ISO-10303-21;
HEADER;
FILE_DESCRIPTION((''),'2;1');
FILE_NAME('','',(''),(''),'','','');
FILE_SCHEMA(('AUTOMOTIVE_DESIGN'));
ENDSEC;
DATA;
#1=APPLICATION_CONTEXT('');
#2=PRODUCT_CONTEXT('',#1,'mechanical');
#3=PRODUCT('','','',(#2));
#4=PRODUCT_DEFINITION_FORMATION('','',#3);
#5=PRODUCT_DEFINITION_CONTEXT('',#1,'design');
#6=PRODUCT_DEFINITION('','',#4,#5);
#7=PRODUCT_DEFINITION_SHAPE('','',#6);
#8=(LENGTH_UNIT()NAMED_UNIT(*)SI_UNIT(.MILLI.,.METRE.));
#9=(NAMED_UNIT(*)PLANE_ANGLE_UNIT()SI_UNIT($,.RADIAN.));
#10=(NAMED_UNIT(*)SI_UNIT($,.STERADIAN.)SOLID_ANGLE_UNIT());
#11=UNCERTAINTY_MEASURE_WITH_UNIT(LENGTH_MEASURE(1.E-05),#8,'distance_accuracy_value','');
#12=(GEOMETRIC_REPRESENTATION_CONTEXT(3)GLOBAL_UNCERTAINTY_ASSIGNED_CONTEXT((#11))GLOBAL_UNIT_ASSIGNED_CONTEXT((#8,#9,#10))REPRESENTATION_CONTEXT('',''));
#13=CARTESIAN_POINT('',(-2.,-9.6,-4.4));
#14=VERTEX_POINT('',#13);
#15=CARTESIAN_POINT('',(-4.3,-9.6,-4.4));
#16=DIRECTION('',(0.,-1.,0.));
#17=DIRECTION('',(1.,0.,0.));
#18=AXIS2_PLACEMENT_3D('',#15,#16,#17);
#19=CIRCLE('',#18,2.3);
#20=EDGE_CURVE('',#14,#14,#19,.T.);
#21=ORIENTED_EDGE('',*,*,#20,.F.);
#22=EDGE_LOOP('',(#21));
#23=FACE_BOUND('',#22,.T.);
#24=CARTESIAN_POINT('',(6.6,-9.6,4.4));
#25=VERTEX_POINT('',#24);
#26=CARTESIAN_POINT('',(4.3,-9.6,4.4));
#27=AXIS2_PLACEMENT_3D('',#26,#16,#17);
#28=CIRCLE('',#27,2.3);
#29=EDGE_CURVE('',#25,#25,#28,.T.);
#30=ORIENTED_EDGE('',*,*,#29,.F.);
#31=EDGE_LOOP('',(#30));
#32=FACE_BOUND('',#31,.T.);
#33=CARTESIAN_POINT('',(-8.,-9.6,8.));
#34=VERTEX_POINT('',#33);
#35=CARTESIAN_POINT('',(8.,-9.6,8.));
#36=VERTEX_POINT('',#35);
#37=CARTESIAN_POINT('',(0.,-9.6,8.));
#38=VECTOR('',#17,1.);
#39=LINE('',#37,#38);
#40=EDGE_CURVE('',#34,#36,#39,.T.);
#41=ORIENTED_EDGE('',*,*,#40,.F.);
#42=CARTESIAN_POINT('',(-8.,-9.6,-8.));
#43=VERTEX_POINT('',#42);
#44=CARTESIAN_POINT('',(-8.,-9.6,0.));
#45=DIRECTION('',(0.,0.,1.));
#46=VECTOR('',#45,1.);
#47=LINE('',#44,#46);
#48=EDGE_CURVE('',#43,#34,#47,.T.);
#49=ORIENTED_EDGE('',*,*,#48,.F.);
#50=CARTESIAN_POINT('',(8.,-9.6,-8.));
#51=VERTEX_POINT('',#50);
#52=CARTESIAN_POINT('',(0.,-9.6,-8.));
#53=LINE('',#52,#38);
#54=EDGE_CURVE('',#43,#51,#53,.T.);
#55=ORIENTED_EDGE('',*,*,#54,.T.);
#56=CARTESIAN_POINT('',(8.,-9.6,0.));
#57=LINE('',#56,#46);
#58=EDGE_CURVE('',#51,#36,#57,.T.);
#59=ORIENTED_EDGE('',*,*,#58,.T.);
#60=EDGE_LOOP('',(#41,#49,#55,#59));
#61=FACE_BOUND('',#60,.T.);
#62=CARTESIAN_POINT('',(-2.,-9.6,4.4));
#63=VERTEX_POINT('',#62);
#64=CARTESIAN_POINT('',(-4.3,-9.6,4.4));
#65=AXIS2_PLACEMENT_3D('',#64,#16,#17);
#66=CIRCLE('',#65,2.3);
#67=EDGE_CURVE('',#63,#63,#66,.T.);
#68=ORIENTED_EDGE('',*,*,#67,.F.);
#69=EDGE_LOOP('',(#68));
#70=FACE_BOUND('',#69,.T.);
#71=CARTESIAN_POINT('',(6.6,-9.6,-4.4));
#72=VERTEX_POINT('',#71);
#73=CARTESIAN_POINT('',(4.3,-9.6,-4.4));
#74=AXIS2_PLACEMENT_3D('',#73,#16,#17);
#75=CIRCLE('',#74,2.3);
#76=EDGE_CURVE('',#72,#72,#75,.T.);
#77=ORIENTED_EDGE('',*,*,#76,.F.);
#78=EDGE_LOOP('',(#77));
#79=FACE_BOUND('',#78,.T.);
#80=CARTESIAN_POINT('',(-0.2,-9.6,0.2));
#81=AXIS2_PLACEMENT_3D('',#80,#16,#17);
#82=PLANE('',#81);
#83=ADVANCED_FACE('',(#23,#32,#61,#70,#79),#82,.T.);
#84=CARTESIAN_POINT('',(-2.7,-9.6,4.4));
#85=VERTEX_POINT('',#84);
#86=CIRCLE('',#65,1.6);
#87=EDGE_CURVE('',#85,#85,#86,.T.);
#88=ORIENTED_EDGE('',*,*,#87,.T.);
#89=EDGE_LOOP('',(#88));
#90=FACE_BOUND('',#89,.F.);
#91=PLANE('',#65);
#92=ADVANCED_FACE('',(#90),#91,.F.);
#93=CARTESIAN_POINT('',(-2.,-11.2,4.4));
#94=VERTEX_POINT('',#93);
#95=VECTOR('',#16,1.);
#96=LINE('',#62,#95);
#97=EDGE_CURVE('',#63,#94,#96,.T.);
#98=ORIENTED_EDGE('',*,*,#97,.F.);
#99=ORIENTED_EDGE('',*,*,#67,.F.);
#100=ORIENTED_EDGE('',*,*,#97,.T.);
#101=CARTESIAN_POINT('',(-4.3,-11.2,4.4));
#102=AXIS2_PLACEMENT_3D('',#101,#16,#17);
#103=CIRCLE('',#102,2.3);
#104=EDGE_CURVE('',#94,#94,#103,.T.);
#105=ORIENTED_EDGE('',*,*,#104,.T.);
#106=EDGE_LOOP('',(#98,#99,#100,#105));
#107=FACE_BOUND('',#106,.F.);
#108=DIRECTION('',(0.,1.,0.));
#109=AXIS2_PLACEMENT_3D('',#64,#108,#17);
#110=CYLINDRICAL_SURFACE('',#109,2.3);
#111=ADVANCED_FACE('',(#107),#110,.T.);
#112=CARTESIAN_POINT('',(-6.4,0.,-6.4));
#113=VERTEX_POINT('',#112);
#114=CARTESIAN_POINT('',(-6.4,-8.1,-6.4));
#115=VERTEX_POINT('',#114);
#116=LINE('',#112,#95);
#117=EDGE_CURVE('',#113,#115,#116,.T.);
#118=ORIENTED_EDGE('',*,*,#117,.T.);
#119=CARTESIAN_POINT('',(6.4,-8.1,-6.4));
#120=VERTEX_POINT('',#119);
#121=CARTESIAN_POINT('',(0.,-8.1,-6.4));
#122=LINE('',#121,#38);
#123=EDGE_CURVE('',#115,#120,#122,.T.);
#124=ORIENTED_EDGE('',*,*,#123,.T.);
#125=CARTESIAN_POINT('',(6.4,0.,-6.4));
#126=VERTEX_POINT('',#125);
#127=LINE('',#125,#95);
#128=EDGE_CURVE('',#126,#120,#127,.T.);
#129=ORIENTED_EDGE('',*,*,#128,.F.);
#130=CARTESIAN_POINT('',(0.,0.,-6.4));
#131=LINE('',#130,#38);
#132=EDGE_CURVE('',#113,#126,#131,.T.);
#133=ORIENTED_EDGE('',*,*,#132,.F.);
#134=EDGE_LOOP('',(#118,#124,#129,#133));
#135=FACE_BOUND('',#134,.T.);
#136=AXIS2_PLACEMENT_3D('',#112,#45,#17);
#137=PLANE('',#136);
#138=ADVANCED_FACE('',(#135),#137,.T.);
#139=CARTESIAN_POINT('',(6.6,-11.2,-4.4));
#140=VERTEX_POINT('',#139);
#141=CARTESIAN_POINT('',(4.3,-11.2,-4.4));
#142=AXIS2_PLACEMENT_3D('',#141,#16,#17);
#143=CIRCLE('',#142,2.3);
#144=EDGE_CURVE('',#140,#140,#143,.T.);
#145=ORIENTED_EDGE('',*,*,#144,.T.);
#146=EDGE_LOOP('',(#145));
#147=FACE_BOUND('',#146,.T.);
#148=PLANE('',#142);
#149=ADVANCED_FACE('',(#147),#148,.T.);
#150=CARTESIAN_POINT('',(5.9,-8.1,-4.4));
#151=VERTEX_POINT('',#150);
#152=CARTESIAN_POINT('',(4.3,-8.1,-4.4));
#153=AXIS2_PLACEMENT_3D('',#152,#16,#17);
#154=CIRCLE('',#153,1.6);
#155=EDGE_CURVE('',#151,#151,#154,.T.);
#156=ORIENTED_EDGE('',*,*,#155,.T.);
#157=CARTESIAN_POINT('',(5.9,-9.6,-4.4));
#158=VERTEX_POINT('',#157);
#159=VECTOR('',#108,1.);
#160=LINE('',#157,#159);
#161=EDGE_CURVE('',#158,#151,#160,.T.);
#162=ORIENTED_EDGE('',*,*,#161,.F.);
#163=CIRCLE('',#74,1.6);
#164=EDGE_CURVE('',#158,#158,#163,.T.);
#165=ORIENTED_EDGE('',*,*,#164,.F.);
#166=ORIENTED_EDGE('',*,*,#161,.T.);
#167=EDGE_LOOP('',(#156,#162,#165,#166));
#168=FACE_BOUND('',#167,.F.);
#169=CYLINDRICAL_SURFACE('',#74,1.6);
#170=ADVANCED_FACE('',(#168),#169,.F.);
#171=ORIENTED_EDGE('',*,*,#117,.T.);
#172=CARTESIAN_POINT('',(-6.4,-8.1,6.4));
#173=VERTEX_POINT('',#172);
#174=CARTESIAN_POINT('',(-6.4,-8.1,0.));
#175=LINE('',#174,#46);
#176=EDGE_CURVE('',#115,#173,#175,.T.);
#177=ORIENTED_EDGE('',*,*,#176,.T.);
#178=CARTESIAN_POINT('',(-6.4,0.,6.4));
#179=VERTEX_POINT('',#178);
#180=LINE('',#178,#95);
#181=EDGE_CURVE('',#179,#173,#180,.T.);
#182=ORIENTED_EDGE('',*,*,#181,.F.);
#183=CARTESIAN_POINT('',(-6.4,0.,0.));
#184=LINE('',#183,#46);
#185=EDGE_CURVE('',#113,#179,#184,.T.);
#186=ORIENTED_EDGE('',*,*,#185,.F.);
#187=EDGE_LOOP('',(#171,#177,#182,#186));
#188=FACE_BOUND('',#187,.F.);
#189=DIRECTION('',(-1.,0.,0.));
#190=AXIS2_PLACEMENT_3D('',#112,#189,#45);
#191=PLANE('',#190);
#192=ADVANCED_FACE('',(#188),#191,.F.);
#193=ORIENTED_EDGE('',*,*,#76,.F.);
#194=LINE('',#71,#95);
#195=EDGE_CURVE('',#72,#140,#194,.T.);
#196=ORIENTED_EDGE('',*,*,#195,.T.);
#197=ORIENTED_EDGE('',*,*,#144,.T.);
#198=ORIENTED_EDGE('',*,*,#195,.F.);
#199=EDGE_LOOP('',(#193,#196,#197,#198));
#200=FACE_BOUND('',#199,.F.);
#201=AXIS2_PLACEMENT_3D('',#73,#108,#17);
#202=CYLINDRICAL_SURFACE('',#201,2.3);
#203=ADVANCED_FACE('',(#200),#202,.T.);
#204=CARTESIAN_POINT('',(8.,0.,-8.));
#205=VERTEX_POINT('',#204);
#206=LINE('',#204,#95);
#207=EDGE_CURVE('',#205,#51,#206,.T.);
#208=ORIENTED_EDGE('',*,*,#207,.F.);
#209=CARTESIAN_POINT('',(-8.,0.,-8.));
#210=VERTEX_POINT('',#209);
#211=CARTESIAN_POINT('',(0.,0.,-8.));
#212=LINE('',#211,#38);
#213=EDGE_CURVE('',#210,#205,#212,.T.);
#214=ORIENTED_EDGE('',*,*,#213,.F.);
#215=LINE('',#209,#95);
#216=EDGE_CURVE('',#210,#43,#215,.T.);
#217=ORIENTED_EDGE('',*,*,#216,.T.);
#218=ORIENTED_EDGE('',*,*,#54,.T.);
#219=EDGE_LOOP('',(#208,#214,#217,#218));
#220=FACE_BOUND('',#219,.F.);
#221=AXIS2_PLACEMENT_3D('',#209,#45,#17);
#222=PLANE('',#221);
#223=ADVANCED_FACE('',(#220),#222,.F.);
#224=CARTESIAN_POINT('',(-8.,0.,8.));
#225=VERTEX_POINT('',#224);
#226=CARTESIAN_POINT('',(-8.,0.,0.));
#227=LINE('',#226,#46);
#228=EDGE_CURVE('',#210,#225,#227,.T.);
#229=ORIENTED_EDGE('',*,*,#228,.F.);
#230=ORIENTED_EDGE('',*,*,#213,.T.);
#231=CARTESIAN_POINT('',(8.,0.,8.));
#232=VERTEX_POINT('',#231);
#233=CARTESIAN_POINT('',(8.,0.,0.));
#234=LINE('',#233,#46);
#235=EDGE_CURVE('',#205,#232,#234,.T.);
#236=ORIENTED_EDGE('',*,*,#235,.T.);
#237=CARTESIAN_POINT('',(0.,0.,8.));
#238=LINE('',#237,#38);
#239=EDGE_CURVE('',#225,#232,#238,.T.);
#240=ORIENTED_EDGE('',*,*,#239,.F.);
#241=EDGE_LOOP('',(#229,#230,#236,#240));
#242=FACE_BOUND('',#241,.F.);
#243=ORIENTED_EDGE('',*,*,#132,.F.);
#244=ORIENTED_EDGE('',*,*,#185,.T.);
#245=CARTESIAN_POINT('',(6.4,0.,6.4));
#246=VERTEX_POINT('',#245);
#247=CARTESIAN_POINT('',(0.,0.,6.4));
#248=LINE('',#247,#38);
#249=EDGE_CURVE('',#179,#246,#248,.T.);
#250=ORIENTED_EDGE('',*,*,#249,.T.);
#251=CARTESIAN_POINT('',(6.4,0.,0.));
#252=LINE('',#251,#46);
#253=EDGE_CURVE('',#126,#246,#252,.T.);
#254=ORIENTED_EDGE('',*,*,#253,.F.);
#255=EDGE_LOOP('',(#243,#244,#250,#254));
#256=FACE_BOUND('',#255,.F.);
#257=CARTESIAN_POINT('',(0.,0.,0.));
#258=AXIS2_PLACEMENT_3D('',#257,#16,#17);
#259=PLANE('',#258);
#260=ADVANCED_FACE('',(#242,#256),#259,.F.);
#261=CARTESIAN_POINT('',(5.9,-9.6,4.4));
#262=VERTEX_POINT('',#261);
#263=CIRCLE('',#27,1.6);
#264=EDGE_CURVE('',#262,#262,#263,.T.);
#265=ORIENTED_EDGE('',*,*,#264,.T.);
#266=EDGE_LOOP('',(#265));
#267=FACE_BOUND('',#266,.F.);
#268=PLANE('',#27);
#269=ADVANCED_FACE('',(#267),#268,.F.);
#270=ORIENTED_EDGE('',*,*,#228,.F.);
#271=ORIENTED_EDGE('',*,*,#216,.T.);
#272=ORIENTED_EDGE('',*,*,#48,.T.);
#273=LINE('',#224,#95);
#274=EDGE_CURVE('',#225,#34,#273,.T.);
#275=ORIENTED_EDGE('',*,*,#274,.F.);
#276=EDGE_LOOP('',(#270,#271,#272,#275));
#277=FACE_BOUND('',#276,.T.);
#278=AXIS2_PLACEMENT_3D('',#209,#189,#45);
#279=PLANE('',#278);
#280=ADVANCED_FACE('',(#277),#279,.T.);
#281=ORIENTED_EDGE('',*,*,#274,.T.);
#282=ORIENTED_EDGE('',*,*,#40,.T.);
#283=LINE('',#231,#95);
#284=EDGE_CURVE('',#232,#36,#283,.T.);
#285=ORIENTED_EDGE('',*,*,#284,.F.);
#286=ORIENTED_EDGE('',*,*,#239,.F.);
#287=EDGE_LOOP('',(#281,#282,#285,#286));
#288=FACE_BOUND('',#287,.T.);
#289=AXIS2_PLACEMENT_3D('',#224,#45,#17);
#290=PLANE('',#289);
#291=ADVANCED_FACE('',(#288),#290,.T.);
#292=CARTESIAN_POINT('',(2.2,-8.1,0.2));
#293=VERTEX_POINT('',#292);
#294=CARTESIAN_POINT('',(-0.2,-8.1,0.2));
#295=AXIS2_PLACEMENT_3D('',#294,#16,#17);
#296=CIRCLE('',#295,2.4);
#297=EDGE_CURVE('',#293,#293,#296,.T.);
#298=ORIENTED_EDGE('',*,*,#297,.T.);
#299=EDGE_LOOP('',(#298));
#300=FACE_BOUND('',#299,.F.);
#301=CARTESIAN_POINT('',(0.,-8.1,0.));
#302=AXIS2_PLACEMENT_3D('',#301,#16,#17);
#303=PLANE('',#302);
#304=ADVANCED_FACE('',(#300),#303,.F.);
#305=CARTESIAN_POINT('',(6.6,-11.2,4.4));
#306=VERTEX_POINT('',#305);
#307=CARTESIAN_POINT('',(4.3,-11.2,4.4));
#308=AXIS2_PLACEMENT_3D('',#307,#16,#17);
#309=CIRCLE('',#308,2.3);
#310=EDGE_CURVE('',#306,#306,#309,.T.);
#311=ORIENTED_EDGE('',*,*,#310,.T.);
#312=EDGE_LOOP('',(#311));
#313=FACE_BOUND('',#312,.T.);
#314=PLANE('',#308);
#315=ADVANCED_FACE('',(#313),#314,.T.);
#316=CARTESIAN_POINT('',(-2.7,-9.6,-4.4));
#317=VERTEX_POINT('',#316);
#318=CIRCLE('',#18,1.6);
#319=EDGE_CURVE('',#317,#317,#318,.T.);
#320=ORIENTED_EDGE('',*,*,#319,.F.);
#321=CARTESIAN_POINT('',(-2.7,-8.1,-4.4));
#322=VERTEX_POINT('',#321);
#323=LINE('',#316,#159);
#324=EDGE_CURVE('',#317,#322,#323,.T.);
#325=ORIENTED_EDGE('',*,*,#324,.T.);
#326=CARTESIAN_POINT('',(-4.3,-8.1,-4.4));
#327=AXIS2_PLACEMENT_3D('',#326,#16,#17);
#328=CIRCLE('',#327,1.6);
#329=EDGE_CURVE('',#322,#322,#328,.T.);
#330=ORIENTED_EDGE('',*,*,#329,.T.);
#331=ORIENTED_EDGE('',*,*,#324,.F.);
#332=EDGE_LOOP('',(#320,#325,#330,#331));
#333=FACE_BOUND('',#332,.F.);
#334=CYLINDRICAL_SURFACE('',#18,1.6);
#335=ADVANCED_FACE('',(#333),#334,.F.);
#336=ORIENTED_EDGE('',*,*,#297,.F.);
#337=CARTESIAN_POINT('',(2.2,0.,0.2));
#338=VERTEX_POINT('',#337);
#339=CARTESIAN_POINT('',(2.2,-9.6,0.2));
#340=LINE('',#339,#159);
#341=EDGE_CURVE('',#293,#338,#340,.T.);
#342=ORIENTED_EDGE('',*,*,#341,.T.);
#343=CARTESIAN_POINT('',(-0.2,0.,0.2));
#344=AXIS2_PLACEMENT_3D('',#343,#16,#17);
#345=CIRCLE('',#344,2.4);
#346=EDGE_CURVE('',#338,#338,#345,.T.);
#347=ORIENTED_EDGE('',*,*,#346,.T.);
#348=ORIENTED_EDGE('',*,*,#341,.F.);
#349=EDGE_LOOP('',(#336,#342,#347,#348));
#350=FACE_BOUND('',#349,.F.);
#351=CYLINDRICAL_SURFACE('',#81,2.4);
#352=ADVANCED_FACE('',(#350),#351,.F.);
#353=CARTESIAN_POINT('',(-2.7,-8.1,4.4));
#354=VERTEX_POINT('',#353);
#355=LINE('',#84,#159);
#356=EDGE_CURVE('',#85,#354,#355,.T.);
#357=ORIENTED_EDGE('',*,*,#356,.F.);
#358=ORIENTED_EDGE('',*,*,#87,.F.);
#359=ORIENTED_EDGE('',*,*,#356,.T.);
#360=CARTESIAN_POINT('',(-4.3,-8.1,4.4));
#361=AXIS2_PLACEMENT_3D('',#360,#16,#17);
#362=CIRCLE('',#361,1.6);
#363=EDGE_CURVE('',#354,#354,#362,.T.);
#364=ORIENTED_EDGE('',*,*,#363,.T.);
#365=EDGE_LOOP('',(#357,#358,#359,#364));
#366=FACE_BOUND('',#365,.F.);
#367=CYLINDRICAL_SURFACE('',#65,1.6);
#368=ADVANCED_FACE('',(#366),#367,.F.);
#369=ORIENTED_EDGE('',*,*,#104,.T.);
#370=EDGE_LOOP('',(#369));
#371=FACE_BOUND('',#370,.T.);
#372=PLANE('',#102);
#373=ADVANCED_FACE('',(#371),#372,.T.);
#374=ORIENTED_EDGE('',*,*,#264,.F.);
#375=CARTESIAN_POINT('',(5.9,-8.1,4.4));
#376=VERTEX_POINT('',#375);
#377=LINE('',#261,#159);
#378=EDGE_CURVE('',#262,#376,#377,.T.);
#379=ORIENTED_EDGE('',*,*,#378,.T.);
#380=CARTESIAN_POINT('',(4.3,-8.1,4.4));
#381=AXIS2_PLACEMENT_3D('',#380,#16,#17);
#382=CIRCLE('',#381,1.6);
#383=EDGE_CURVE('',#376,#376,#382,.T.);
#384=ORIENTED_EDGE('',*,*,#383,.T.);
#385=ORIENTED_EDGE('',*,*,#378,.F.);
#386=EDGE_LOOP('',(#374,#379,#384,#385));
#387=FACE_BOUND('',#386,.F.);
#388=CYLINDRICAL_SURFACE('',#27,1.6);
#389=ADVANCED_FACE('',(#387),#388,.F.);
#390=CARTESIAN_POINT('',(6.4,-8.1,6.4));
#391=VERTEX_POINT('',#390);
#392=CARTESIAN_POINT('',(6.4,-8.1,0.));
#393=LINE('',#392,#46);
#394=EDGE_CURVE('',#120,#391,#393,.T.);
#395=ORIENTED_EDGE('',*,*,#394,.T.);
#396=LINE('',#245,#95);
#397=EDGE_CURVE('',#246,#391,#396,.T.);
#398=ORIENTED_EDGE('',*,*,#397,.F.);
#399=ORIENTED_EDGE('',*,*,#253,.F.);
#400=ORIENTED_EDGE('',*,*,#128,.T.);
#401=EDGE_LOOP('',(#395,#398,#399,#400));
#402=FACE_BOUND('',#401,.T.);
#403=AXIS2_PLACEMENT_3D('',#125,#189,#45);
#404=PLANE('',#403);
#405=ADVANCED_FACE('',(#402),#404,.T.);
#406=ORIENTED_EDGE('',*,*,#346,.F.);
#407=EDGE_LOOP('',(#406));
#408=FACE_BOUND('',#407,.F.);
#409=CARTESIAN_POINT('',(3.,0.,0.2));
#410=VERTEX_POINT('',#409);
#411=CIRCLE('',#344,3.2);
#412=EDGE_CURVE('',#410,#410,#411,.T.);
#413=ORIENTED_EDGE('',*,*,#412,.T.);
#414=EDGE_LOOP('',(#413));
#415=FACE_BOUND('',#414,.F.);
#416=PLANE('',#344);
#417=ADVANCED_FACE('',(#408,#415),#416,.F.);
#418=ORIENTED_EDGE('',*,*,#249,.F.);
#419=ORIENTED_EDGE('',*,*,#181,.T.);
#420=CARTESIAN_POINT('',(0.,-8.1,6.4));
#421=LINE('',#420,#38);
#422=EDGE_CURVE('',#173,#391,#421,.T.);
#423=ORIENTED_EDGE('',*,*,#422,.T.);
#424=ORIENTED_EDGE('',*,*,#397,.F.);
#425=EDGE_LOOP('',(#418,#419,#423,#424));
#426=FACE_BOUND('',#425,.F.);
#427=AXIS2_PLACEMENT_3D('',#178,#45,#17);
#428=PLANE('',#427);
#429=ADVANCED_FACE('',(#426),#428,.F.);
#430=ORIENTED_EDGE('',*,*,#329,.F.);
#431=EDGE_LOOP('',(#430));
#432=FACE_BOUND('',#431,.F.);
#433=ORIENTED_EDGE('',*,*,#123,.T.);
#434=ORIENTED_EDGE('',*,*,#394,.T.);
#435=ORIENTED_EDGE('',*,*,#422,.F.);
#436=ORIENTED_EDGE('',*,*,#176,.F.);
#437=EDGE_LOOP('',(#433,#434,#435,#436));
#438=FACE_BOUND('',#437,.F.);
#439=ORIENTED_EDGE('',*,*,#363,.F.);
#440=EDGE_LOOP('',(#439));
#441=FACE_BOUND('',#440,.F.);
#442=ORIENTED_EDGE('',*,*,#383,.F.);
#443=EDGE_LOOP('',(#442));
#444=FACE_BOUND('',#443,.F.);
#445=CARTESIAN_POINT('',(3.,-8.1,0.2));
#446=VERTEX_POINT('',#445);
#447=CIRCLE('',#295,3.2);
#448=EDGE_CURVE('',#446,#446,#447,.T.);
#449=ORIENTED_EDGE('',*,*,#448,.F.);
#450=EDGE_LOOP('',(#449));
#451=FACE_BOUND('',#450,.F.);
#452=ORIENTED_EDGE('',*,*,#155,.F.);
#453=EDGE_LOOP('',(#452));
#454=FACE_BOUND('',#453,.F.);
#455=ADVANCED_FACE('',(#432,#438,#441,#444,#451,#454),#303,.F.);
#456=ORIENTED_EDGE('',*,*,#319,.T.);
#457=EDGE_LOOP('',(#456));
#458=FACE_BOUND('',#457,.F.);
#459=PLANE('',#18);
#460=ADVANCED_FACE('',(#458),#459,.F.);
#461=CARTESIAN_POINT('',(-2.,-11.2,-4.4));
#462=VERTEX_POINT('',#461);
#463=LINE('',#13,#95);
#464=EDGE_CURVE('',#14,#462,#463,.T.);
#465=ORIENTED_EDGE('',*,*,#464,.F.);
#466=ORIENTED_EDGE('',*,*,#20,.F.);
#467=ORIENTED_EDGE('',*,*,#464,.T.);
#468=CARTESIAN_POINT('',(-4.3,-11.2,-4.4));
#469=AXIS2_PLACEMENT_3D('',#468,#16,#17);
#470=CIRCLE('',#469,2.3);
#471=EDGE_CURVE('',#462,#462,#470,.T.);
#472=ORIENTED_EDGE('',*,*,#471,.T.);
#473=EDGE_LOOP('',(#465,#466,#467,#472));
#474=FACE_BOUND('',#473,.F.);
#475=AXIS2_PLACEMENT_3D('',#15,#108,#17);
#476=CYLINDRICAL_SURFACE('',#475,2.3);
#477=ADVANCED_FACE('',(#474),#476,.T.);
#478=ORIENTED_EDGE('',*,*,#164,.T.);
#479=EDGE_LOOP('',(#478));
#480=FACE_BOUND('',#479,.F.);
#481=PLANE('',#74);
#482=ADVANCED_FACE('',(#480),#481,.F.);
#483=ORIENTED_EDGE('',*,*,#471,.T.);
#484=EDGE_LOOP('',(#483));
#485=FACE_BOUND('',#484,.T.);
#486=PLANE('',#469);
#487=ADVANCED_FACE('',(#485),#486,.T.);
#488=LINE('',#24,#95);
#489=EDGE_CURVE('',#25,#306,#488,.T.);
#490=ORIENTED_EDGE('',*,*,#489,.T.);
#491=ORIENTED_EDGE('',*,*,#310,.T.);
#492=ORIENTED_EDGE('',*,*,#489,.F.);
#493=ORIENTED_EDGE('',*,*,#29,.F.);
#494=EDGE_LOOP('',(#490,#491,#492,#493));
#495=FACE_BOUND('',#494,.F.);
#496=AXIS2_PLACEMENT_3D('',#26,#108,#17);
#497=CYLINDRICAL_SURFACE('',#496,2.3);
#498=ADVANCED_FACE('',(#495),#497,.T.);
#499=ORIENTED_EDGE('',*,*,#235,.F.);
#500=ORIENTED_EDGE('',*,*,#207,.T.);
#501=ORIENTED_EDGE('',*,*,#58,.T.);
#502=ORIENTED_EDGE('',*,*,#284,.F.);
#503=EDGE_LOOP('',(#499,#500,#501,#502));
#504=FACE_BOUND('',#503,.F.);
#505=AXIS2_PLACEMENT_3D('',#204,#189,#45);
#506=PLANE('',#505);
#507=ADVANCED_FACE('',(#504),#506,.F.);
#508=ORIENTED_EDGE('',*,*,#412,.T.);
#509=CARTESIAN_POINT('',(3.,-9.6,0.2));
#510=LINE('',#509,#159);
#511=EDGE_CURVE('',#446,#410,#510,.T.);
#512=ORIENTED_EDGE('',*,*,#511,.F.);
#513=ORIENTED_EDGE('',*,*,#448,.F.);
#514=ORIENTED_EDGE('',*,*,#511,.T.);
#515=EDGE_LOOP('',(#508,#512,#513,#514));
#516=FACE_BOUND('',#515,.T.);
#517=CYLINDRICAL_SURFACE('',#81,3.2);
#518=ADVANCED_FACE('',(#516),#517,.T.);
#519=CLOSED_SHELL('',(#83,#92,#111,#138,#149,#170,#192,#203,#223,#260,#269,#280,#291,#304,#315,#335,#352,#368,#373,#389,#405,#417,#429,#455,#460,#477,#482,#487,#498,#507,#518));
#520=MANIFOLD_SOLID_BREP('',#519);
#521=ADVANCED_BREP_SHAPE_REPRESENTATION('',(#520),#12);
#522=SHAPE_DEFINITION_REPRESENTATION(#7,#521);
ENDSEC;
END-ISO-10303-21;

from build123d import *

# Parameters (mm, degrees)
F0_W     = 16
F0_H     = 16
F0_W_2   = 12.8
F0_H_2   = 12.8
F1_DEPTH = 9.6
F2_DEPTH = 8.1
F3_R     = 1.6
F4_DEPTH = 1.6
F5_R     = 2.3
F6_DEPTH = 1.6
F7_R     = 3.2
F7_R_2   = 2.4
F8_DEPTH = 9.6


with BuildPart() as f1:
    # F0 (on Front) → F1 (new body)
    with BuildSketch(Plane.XZ):
        Rectangle(F0_W, F0_H)
        Rectangle(F0_W_2, F0_H_2, mode=Mode.SUBTRACT)
        Rectangle(F0_W_2, F0_H_2)
    extrude(amount=F1_DEPTH)

    # F0 (on Front) → F2 (cut)
    with BuildSketch(Plane.XZ):
        Rectangle(F0_W_2, F0_H_2)
    extrude(amount=F2_DEPTH, mode=Mode.SUBTRACT)

    # F3 (on face) → F4 (cut)
    with BuildSketch(Plane.XZ.offset(9.6)):
        with Locations((-4.3, 4.4)):
            Circle(F3_R)
        with Locations((-4.3, -4.4)):
            Circle(F3_R)
        with Locations((4.3, 4.4)):
            Circle(F3_R)
        with Locations((4.3, -4.4)):
            Circle(F3_R)
    extrude(amount=-F4_DEPTH, mode=Mode.SUBTRACT)

    # F5 (on face) → F6 (join)
    with BuildSketch(Plane.XZ.offset(9.6)):
        with Locations((-4.3, 4.4)):
            Circle(F5_R)
        with Locations((-4.3, -4.4)):
            Circle(F5_R)
        with Locations((4.3, 4.4)):
            Circle(F5_R)
        with Locations((4.3, -4.4)):
            Circle(F5_R)
    extrude(amount=F6_DEPTH)

    # F7 (on face) → F8 (join)
    with BuildSketch(Plane.XZ.offset(9.6)):
        with Locations((-0.2, 0.2)):
            Circle(F7_R)
        with Locations((-0.2, 0.2)):
            Circle(F7_R_2, mode=Mode.SUBTRACT)
    extrude(amount=-F8_DEPTH)


solid = f1.part
